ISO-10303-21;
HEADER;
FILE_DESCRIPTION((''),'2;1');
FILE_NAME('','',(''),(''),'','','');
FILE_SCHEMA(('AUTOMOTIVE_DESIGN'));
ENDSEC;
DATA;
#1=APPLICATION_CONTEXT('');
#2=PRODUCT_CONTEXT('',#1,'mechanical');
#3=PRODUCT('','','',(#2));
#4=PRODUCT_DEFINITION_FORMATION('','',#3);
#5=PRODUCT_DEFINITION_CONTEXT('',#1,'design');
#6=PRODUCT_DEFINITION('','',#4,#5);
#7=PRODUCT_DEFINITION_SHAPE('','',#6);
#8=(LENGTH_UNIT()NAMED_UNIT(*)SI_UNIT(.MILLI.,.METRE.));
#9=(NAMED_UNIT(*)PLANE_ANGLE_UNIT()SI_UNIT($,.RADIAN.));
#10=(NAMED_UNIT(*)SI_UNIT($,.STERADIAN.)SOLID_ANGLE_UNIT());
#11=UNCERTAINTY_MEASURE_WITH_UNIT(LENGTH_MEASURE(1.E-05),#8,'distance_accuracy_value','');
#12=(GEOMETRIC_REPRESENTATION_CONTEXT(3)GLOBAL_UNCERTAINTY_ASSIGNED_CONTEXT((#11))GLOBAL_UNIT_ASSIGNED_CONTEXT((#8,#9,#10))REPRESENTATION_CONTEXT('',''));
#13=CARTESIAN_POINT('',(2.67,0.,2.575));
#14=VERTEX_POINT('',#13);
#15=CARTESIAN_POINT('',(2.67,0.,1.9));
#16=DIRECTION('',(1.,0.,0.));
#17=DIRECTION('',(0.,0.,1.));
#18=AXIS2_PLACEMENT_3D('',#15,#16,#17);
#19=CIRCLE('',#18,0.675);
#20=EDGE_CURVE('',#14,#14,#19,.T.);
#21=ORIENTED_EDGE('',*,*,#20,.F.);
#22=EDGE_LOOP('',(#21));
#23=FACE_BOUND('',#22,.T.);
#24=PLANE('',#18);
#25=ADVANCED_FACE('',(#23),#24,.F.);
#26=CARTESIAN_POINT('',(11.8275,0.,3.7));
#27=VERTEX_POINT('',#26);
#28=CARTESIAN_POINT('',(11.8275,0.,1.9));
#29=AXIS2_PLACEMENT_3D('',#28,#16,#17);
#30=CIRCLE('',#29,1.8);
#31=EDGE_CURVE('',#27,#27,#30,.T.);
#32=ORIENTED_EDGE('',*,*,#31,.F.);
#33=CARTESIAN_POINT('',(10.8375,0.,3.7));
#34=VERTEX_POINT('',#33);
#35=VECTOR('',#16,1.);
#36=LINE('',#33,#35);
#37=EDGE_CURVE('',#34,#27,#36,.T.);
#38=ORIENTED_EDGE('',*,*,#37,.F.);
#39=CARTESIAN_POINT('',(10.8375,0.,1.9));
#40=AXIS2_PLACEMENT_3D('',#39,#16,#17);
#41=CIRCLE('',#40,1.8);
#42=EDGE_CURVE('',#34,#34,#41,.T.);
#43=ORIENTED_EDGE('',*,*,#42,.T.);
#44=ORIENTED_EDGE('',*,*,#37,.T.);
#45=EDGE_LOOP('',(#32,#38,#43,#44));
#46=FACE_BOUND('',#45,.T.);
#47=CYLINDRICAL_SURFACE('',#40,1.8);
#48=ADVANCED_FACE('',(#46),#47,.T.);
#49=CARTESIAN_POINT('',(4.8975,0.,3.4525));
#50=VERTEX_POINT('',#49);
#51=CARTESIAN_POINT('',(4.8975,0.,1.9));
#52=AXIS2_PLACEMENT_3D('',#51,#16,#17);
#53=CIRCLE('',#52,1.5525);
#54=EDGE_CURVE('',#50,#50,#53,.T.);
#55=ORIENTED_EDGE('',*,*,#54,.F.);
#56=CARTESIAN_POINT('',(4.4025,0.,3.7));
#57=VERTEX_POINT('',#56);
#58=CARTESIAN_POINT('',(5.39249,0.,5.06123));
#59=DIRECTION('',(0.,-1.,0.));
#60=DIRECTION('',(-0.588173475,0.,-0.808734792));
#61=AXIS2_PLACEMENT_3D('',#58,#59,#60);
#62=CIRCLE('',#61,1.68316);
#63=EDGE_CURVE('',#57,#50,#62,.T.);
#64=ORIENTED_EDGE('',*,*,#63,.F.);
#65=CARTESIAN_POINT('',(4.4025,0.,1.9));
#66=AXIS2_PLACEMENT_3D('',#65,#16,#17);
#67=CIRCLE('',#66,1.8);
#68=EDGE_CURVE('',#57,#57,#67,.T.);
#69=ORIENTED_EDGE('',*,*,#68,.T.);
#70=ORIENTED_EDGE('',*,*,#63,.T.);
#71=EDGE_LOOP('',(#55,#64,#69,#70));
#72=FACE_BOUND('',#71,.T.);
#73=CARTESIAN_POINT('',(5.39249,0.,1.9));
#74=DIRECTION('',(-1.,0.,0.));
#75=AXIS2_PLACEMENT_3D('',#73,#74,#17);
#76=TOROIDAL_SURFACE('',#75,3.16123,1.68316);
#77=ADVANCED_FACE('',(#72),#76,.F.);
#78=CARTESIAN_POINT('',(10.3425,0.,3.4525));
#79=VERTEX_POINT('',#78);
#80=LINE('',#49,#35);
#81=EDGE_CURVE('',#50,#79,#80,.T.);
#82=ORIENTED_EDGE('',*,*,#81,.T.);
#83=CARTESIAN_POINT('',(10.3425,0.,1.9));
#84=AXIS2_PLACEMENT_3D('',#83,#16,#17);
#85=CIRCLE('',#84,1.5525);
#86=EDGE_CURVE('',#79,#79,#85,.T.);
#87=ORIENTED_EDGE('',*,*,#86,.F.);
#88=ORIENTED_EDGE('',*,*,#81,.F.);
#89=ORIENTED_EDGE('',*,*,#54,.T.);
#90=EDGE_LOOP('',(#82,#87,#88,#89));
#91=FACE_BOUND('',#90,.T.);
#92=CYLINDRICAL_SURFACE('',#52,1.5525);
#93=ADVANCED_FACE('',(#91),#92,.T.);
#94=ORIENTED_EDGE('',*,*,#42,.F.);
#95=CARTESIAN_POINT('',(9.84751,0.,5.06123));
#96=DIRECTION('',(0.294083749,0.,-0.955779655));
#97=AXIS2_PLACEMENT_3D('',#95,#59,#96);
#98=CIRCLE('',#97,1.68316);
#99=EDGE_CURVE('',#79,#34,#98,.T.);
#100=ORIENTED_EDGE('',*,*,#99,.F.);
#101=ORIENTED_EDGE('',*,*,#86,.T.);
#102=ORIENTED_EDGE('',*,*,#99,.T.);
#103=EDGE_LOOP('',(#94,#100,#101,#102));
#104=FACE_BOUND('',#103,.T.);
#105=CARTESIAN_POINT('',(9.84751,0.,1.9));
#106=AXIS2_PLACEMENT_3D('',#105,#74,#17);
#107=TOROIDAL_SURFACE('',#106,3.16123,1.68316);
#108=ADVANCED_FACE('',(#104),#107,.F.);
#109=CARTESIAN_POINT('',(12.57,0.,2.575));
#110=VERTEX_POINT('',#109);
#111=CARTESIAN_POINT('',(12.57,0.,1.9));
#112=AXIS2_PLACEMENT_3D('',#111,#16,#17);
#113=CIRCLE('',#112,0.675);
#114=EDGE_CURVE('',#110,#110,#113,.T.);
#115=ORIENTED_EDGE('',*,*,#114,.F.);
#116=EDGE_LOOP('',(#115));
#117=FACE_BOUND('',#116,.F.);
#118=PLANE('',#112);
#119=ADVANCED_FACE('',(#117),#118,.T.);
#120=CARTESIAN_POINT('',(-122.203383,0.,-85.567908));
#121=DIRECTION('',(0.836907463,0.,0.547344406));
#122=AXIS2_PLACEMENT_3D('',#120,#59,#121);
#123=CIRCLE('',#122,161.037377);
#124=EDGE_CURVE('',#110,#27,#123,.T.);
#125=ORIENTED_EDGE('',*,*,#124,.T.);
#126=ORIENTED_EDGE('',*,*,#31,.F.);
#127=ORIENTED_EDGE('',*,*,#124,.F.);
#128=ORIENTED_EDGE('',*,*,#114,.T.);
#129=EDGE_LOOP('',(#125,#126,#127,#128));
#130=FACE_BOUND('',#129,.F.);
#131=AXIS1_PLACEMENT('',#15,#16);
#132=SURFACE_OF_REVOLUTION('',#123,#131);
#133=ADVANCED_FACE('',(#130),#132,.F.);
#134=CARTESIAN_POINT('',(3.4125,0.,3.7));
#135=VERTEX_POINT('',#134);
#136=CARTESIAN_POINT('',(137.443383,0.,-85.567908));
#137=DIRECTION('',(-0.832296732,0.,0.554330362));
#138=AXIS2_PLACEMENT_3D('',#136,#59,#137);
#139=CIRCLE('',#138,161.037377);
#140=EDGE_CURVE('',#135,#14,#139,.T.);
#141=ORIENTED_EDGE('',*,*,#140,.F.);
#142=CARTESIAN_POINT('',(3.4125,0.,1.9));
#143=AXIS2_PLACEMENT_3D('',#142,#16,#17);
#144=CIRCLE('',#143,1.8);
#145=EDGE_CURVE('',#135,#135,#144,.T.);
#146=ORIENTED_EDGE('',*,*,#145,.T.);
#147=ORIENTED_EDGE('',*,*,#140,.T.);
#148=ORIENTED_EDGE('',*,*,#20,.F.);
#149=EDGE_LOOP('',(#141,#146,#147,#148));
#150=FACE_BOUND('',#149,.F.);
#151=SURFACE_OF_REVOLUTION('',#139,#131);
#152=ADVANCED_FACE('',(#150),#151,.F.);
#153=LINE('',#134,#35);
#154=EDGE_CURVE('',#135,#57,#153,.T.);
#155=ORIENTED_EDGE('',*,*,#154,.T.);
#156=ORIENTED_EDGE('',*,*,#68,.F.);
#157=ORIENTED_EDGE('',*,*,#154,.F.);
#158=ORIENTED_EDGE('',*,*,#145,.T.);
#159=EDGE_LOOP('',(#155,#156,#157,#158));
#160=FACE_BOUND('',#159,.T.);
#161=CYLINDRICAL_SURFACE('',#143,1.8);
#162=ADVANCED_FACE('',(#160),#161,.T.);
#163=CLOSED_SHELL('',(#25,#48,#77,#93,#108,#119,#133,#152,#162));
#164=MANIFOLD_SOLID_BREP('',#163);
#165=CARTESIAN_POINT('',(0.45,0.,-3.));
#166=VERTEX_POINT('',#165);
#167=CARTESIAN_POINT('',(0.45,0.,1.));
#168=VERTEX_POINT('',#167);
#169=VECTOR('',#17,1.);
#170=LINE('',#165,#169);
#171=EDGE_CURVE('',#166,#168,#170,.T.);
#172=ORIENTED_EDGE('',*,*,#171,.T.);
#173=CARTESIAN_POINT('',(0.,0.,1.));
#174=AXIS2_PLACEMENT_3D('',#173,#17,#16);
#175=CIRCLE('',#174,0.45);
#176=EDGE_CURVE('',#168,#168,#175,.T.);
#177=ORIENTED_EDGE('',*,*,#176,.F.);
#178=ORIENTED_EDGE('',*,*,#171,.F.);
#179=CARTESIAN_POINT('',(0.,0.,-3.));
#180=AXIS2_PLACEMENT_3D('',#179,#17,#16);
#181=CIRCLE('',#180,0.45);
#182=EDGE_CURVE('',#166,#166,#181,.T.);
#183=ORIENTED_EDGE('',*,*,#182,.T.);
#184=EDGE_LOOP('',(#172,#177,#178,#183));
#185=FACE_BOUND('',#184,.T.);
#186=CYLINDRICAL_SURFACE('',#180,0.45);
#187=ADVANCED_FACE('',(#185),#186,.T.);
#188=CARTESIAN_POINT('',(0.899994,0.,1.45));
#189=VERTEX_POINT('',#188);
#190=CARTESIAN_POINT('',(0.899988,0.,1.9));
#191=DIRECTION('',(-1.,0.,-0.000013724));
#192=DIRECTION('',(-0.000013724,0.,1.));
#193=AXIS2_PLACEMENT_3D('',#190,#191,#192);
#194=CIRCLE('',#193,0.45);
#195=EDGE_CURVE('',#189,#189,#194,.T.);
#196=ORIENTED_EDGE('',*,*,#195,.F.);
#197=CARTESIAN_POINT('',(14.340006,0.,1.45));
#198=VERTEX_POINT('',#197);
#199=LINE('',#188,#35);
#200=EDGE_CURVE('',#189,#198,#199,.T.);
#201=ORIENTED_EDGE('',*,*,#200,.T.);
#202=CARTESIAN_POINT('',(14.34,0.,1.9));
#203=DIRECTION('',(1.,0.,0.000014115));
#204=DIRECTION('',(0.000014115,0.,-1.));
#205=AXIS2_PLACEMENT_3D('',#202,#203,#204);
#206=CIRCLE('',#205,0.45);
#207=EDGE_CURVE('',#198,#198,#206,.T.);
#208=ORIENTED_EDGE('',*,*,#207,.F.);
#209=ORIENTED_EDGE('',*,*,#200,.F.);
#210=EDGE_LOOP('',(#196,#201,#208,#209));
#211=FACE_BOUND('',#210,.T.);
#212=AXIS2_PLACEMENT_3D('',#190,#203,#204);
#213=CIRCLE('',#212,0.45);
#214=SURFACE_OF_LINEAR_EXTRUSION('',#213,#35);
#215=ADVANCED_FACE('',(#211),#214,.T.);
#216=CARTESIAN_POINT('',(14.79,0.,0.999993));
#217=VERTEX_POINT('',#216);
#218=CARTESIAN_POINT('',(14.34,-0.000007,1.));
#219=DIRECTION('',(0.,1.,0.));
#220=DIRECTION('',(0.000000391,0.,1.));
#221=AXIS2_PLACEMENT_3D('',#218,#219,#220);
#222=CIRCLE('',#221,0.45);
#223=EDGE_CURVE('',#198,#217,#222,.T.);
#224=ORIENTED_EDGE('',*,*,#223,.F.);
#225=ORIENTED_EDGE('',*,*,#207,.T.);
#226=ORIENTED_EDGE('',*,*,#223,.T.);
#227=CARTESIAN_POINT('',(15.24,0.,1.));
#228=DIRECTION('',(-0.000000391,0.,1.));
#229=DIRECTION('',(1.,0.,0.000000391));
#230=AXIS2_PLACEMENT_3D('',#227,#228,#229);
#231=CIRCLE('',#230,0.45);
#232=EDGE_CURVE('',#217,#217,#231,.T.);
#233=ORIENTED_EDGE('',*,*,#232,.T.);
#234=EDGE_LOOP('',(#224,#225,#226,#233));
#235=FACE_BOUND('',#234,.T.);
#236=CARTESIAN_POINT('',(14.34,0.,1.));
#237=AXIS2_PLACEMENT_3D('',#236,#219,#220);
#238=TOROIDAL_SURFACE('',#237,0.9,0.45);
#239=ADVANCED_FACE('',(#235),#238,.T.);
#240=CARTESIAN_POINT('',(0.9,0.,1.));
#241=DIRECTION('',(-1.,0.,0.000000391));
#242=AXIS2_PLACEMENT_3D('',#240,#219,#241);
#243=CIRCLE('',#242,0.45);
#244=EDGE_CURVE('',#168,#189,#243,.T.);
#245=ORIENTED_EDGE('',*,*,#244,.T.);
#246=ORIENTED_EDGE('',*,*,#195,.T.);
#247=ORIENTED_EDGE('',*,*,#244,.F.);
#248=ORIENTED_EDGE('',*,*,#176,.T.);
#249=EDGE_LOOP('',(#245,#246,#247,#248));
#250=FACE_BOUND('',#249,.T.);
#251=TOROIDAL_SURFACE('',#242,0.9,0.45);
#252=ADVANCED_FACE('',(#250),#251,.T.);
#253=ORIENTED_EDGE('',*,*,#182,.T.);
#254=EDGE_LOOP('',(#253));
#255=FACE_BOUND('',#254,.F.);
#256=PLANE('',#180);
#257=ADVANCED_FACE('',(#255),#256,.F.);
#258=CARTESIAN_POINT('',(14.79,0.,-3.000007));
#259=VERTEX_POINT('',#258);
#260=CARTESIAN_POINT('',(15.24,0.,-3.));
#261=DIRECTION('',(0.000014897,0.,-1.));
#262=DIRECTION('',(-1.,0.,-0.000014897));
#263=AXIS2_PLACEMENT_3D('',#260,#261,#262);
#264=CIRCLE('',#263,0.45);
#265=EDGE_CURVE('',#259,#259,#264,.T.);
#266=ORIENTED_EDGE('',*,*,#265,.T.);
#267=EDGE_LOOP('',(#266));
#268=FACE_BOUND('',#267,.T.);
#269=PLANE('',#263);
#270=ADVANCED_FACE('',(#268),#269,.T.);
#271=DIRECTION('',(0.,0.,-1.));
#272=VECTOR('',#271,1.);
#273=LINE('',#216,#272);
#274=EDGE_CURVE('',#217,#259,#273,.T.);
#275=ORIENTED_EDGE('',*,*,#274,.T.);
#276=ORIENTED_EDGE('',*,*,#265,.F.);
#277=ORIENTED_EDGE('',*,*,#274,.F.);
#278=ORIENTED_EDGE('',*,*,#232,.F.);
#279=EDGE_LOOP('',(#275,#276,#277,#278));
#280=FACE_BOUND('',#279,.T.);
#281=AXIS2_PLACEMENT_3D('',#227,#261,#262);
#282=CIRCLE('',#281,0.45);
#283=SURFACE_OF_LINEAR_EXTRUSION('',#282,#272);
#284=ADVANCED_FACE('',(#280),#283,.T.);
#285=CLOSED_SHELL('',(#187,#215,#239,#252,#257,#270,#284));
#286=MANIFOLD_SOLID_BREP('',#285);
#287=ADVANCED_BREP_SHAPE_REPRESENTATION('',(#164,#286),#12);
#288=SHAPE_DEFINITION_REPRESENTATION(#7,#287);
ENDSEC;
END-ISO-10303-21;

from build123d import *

# Parameters (mm, degrees)
SKETCH_R = 0.45


with BuildPart() as revolution:
    # Sketch002 → Revolution (revolve)
    with BuildSketch(Plane.XZ):
        with BuildLine():
            Line((3.4125, 3.7), (4.4025, 3.7))
            ThreePointArc((4.4025, 3.7), (4.639758, 3.555766), (4.8975, 3.4525))
            Line((4.8975, 3.4525), (10.3425, 3.4525))
            ThreePointArc((10.3425, 3.4525), (10.600242, 3.555766), (10.8375, 3.7))
            Line((10.8375, 3.7), (11.8275, 3.7))
            ThreePointArc((12.57, 2.575), (12.199927, 3.138277), (11.8275, 3.7))
            Line((12.57, 1.9), (12.57, 2.575))
            Line((2.67, 1.9), (12.57, 1.9))
            Line((2.67, 1.9), (2.67, 2.575))
            ThreePointArc((3.4125, 3.7), (3.040073, 3.138277), (2.67, 2.575))
        make_face()
    revolve(axis=Axis((2.67, 0, 1.9), (1, 0, 0)))


with BuildPart() as sweep_body:
    # Sweep: sweep along a path in Sketch001
    with BuildLine(Plane.XZ) as sweep_path:
        Line((0, -3), (0, 1))
        ThreePointArc((0, 1), (0.2636, 1.636392), (0.899988, 1.9))
        Line((0.899988, 1.9), (14.34, 1.9))
        ThreePointArc((14.34, 1.9), (14.976396, 1.636396), (15.24, 1))
        Line((15.24, 1), (15.24, -3))
    # Sketch → Sweep (sweep)
    with BuildSketch(Plane.XY.offset(-2)):
        Circle(SKETCH_R)
    sweep(path=sweep_path.line)


solid = Compound([revolution.part, sweep_body.part])
